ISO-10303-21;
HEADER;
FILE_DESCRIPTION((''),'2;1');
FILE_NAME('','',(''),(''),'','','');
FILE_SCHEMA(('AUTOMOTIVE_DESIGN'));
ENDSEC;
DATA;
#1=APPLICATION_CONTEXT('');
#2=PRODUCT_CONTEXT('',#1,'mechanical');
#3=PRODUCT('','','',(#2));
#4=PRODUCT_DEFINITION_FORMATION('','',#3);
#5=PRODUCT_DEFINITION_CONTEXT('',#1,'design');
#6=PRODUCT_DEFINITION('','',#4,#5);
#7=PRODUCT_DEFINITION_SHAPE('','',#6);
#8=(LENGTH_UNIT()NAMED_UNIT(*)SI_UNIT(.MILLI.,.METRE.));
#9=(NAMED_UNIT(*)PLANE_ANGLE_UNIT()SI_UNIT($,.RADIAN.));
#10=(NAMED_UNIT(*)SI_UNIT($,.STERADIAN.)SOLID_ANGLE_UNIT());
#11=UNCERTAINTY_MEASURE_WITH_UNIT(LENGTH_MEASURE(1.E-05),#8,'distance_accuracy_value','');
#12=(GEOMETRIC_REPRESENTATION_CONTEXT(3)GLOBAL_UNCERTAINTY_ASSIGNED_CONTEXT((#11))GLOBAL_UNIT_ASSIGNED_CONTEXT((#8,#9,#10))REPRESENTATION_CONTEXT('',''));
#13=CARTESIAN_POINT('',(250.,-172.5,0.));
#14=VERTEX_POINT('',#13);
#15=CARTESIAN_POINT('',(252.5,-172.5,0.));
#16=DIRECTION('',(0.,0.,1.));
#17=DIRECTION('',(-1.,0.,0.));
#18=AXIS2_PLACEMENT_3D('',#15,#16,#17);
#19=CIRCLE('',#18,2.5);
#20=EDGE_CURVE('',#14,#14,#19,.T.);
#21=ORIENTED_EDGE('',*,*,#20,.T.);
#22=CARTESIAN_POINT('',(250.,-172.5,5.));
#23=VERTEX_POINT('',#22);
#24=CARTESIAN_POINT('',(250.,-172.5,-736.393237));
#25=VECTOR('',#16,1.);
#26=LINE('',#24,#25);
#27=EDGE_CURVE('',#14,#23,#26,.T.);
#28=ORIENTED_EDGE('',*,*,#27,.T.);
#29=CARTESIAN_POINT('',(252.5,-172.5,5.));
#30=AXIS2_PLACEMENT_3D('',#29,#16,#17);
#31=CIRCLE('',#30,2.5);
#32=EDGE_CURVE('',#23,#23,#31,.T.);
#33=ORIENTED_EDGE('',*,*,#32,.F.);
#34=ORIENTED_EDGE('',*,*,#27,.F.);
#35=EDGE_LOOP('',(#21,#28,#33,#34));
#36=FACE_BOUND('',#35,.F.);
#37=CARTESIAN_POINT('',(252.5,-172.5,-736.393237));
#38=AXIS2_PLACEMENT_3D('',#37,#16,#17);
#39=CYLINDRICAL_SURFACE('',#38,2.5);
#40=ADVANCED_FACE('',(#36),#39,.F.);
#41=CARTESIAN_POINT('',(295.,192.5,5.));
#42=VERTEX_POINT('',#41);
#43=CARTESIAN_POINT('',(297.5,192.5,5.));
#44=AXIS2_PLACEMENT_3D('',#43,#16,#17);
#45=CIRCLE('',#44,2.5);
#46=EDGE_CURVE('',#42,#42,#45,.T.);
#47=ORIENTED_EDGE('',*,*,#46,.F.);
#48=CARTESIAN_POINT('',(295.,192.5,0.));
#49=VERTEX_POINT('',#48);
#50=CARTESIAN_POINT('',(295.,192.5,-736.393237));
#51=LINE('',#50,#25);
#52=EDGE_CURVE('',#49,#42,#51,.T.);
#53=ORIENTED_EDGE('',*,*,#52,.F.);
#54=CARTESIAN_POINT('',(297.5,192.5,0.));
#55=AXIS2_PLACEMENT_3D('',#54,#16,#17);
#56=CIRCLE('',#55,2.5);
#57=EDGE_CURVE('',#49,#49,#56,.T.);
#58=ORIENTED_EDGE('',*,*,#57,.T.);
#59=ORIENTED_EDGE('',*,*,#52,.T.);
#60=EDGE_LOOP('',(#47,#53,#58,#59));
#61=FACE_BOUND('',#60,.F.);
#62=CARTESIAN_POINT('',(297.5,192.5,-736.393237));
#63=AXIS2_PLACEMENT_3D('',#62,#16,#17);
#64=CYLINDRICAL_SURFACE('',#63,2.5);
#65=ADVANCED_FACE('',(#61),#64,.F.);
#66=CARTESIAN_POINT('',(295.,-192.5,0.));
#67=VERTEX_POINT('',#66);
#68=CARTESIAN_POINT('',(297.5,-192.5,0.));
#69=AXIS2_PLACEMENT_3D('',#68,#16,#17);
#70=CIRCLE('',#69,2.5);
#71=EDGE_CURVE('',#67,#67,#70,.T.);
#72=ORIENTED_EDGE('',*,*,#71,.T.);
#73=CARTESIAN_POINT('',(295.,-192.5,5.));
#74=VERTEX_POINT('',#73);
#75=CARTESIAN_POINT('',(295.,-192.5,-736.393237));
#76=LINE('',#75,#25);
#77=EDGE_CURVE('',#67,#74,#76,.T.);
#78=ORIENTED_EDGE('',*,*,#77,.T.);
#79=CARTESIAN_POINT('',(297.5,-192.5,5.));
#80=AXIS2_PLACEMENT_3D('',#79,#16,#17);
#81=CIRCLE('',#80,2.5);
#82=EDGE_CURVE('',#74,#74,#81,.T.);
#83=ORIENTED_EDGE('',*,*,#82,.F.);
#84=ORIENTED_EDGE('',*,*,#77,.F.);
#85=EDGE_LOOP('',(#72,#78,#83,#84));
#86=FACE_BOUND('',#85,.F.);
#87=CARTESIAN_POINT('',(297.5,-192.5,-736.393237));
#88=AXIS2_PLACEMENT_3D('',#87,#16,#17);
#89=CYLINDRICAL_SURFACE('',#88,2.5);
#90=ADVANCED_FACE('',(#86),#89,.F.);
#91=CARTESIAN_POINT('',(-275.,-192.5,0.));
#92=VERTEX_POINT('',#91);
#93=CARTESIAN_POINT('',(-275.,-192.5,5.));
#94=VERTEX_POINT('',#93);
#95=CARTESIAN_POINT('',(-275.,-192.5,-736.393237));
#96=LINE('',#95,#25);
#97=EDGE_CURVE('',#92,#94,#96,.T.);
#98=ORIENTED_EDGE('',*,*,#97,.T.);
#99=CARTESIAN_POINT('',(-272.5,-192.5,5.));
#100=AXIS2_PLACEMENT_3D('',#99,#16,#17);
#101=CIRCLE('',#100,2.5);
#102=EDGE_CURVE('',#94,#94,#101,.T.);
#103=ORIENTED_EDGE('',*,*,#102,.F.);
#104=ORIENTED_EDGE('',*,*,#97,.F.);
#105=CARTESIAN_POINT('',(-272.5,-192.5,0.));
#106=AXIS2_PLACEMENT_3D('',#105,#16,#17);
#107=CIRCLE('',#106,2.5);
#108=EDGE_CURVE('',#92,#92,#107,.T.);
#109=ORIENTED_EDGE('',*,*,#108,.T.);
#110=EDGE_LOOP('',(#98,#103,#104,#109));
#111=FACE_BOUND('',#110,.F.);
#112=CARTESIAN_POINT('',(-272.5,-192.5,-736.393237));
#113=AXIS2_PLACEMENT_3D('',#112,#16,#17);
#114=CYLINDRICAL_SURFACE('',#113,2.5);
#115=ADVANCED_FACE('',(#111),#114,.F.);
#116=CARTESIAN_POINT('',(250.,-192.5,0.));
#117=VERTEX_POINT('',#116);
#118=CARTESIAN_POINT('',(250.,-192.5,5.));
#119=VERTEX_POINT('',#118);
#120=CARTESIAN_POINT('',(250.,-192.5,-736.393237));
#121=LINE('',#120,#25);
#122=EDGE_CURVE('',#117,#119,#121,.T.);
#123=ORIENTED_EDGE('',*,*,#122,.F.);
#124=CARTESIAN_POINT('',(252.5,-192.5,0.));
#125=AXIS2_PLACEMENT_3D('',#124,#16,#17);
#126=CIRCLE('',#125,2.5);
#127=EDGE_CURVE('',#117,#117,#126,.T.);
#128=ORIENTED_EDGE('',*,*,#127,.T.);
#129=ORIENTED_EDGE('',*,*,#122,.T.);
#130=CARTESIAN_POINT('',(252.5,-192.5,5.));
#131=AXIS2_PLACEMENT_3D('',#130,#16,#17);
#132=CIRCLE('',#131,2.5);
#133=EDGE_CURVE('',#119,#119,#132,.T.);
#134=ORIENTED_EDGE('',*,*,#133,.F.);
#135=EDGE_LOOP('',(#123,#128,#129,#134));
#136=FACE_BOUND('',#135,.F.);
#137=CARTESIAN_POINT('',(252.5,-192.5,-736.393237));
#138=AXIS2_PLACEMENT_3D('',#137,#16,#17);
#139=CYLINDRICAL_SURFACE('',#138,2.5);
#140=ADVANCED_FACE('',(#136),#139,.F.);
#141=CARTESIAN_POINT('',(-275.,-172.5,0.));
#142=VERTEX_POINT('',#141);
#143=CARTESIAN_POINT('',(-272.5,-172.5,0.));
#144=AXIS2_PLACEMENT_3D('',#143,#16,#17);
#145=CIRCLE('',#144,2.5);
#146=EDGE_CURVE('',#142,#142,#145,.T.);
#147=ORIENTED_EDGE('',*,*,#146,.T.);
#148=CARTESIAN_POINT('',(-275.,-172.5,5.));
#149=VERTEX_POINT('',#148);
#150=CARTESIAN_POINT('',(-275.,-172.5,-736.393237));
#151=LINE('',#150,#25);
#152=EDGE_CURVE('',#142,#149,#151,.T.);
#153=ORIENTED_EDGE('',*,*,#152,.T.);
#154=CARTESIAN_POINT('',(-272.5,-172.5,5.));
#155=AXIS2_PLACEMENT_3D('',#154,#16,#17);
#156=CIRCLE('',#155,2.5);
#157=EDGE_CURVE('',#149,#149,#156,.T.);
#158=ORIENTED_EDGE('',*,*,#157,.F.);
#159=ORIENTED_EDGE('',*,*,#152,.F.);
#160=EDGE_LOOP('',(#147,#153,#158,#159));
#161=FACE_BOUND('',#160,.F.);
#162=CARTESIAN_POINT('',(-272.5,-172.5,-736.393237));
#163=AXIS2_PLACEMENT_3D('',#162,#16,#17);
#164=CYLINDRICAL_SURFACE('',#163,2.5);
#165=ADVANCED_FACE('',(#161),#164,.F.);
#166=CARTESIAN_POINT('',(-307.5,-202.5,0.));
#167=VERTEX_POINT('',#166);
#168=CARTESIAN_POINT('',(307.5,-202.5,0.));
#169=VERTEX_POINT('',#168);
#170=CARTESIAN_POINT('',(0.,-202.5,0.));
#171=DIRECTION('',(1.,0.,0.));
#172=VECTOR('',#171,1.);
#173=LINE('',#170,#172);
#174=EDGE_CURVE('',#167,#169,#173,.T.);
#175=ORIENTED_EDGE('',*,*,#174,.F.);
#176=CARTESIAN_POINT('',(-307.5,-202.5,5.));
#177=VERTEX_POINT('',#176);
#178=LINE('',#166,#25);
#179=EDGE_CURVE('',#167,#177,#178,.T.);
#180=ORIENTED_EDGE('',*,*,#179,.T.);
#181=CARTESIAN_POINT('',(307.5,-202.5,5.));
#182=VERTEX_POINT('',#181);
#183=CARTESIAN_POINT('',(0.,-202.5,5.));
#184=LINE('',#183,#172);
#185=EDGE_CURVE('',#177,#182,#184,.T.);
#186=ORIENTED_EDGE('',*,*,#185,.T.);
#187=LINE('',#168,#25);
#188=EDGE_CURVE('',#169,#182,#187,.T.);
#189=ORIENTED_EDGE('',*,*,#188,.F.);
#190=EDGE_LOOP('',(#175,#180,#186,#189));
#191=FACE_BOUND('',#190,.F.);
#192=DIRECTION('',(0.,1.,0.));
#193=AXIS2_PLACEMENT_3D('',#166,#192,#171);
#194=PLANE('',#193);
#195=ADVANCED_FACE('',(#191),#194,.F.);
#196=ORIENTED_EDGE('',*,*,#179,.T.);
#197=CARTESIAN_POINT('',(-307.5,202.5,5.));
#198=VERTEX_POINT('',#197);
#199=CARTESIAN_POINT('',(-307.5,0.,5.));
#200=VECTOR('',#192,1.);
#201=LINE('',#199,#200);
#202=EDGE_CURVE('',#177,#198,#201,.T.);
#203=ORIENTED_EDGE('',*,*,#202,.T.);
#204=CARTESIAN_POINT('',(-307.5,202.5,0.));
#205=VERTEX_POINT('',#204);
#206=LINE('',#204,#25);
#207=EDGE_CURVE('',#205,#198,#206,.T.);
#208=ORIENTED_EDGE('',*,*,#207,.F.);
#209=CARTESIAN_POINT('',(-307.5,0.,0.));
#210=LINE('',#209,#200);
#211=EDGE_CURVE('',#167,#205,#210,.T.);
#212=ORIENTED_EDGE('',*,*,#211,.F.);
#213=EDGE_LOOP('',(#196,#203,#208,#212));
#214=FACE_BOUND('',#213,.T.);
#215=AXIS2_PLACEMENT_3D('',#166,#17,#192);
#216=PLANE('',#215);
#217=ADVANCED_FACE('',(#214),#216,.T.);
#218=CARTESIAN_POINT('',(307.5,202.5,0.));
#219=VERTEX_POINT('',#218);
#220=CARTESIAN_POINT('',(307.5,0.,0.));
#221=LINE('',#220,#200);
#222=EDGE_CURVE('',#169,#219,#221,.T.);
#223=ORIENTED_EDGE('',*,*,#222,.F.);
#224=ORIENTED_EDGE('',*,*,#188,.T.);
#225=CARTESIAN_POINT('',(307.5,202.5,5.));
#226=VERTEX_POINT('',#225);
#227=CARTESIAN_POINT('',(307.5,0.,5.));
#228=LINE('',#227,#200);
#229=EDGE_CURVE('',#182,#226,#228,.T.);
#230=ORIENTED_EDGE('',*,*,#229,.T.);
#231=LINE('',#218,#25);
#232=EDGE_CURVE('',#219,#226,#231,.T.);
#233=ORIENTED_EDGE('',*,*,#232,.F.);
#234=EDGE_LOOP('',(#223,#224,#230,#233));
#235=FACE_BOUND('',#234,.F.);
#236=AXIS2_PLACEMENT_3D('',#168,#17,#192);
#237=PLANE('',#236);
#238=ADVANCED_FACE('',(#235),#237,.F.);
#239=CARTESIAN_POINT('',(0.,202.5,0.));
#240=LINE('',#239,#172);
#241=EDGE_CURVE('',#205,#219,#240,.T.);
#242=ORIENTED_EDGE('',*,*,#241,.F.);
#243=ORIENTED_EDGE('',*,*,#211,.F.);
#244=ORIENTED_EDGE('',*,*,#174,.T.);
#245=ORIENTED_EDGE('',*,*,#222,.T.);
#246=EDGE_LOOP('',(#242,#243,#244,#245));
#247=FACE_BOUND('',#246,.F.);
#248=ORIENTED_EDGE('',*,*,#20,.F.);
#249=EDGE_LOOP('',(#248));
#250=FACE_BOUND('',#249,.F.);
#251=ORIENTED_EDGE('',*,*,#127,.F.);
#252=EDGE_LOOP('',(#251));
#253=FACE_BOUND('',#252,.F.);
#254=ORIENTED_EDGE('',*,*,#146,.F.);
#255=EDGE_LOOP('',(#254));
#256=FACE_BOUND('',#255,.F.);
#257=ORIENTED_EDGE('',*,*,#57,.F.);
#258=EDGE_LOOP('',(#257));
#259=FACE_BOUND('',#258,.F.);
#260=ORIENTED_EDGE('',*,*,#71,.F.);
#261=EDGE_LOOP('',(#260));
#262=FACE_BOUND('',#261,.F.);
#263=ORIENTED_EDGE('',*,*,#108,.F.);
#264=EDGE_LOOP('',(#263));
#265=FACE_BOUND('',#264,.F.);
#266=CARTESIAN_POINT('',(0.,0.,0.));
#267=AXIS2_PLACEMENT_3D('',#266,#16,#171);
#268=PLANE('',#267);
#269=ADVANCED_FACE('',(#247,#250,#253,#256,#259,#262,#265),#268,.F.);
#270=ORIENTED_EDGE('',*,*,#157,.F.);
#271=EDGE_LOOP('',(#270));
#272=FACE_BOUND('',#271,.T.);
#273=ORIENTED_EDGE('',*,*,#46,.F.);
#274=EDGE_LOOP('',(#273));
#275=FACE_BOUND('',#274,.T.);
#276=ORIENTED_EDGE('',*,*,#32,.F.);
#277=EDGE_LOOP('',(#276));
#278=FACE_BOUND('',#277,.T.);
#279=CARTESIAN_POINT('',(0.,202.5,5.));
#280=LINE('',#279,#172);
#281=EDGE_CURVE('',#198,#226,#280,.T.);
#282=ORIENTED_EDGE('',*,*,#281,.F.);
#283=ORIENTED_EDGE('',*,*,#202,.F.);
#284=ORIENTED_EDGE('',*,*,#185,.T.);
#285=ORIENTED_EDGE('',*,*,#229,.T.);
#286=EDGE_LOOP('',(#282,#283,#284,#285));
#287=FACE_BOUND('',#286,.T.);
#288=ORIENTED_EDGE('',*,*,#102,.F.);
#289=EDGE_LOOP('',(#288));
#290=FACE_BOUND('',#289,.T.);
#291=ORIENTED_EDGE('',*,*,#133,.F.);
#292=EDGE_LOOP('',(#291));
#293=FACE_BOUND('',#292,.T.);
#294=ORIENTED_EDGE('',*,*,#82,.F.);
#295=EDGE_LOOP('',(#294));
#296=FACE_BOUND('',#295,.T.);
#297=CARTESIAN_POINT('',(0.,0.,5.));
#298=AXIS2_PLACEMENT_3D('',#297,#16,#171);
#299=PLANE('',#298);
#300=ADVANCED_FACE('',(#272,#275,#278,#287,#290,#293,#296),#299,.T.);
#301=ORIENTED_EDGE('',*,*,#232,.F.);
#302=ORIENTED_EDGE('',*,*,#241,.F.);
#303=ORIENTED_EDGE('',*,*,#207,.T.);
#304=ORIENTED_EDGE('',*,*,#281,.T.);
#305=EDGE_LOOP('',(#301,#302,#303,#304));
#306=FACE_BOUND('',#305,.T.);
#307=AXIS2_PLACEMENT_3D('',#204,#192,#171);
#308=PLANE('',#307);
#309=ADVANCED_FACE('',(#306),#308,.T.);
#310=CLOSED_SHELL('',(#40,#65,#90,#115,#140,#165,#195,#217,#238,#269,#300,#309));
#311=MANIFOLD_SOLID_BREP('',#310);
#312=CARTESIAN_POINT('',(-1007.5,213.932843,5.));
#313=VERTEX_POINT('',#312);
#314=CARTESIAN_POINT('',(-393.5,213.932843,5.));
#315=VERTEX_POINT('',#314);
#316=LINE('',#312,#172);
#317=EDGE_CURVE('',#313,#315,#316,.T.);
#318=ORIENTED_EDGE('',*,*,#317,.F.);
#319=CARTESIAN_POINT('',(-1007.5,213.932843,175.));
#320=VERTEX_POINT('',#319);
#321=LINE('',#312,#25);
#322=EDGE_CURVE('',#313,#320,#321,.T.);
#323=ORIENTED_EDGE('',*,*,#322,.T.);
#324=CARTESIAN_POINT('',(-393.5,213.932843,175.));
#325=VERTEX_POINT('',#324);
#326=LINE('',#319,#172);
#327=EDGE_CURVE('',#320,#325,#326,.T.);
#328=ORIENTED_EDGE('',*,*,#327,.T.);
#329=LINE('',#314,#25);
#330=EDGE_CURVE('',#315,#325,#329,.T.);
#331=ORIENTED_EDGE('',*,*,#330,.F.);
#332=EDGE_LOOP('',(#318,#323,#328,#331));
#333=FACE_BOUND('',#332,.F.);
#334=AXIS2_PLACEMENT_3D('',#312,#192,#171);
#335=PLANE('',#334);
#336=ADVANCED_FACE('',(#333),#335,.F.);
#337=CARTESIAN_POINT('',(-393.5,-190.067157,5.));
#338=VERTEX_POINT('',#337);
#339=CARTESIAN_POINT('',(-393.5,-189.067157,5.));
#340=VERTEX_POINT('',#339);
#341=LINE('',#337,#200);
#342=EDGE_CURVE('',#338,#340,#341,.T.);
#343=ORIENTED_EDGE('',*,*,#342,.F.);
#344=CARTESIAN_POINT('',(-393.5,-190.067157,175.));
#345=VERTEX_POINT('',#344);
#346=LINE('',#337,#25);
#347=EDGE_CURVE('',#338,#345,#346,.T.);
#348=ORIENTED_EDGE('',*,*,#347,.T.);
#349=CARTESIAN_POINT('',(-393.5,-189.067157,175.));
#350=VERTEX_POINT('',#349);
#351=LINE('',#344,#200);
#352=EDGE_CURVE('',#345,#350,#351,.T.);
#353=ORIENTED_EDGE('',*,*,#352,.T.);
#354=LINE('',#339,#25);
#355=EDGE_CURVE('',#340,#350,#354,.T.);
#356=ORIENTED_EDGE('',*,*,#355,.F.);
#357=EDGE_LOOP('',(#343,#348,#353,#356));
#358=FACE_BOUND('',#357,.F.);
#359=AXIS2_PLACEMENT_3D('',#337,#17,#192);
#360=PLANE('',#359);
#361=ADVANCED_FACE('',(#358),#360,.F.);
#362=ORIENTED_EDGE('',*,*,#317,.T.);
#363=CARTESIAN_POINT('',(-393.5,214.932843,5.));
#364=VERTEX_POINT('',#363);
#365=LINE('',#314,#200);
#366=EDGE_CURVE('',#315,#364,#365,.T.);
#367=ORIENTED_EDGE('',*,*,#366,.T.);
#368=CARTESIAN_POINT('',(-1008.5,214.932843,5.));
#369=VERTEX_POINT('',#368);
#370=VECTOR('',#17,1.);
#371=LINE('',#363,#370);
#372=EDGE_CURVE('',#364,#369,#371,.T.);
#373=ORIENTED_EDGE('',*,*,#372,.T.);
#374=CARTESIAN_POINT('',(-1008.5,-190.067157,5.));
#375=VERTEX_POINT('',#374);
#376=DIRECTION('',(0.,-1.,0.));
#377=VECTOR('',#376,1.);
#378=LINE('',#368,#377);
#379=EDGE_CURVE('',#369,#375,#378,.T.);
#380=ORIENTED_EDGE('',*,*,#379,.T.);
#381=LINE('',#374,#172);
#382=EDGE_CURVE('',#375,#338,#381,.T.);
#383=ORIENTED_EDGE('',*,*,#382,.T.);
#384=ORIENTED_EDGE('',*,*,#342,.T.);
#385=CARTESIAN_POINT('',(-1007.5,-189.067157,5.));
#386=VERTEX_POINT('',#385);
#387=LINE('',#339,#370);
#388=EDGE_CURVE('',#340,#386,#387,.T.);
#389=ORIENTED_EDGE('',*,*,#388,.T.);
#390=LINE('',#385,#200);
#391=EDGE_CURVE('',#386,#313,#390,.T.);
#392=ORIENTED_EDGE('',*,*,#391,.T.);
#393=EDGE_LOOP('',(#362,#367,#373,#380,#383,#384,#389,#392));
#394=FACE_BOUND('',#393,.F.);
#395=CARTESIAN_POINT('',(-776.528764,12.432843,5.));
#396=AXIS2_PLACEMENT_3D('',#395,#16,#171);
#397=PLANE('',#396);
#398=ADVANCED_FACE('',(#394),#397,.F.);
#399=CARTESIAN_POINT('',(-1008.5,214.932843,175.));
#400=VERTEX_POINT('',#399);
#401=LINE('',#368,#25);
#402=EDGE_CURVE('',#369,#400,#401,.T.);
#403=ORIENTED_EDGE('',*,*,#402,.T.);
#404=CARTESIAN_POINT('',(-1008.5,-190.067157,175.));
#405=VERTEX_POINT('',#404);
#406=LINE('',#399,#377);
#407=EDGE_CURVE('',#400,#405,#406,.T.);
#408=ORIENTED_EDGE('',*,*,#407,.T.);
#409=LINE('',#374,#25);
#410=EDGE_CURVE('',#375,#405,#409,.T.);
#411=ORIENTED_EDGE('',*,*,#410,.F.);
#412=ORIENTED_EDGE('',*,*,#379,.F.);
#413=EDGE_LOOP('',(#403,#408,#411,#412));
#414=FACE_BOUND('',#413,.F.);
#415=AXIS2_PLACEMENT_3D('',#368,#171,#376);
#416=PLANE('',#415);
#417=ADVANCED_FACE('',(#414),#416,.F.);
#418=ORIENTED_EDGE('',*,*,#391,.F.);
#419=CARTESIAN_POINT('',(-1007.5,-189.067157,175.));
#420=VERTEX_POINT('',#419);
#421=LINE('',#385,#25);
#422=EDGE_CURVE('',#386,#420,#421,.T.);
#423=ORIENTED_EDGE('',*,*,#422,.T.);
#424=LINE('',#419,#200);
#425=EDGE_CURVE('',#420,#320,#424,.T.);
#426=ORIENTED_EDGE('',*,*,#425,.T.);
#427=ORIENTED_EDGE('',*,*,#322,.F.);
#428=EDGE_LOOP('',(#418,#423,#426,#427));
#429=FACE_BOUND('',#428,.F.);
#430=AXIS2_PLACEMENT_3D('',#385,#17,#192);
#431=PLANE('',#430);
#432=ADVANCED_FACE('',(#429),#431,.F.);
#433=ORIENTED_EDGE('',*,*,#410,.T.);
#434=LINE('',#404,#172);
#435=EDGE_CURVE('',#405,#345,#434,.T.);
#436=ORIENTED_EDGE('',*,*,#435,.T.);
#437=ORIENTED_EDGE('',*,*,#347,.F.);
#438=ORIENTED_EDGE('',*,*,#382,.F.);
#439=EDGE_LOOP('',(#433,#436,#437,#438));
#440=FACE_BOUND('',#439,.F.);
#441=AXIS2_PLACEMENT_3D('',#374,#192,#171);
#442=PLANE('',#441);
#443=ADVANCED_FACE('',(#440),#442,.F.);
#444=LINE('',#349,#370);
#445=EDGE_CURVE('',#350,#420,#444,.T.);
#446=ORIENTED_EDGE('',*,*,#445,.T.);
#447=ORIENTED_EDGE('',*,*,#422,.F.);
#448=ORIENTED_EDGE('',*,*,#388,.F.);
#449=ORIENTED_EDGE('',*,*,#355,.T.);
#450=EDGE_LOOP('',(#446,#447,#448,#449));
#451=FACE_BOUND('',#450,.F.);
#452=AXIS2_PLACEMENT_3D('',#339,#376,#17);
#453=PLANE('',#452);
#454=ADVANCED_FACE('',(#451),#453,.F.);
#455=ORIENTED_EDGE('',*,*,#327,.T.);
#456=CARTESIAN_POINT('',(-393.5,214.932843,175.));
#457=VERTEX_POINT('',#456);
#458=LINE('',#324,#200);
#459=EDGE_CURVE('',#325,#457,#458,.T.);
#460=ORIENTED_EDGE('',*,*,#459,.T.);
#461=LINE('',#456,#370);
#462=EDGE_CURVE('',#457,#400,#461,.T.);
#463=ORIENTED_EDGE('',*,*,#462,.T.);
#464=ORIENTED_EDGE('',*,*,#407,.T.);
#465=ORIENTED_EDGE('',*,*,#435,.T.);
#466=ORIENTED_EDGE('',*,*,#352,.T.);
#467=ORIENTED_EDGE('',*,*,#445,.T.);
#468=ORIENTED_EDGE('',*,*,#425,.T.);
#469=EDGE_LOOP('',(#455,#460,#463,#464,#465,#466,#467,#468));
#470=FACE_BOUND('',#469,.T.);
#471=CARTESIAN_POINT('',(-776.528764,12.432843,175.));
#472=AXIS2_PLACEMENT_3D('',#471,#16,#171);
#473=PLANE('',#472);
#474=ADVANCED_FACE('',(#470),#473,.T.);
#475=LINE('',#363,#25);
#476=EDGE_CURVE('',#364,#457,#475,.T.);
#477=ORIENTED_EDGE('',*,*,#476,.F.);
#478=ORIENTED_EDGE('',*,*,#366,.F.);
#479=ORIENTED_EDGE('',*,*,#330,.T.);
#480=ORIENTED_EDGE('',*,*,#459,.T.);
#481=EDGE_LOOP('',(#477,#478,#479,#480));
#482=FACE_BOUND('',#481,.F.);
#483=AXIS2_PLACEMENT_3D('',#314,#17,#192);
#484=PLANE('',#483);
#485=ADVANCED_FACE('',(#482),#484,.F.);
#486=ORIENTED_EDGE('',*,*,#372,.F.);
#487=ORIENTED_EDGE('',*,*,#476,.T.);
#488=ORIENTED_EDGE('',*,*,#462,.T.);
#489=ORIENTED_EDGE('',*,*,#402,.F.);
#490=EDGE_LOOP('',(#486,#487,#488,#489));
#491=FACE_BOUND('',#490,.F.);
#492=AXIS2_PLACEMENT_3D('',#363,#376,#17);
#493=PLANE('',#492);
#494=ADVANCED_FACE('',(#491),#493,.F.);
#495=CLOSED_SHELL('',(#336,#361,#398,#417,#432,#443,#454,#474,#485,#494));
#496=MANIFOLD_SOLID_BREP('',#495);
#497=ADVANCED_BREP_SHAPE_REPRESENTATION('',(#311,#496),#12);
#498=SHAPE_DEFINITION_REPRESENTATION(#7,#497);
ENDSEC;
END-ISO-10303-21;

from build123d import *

# Parameters (mm, degrees)
F0_W     = 615
F0_H     = 405
F1_DEPTH = 5
F4_DEPTH = 170
F6_D     = 5
F8_D     = 5
F10_D    = 5
F12_D    = 5
F14_D    = 5
F16_D    = 5


with BuildPart() as f1:
    # F0 (on Top) → F1 (new body)
    with BuildSketch(Plane.XY):
        Rectangle(F0_W, F0_H)
    extrude(amount=F1_DEPTH)

    # F6 (through all)
    with Locations(Plane(origin=(0, 0, 0), x_dir=(1, 0, 0), z_dir=(0, 0, -1))):
        with Locations((-272.5, 192.5)):
            Hole(F6_D / 2)

    # F8 (through all)
    with Locations(Plane(origin=(0, 0, 0), x_dir=(1, 0, 0), z_dir=(0, 0, -1))):
        with Locations((-272.5, 172.5)):
            Hole(F8_D / 2)

    # F10 (through all)
    with Locations(Plane(origin=(0, 0, 0), x_dir=(1, 0, 0), z_dir=(0, 0, -1))):
        with Locations((252.5, 192.5)):
            Hole(F10_D / 2)

    # F12 (through all)
    with Locations(Plane(origin=(0, 0, 0), x_dir=(1, 0, 0), z_dir=(0, 0, -1))):
        with Locations((252.5, 172.5)):
            Hole(F12_D / 2)

    # F14 (through all)
    with Locations(Plane(origin=(0, 0, 0), x_dir=(1, 0, 0), z_dir=(0, 0, -1))):
        with Locations((297.5, -192.5)):
            Hole(F14_D / 2)

    # F16 (through all)
    with Locations(Plane(origin=(0, 0, 0), x_dir=(1, 0, 0), z_dir=(0, 0, -1))):
        with Locations((297.5, 192.5)):
            Hole(F16_D / 2)


with BuildPart() as f4:
    # F3 (on face) → F4 (new body)
    with BuildSketch(Plane.XY.offset(5)):
        Polygon((-1008.5, -190.067157), (-393.5, -190.067157), (-393.5, -189.067157), (-1007.5, -189.067157), (-1007.5, 213.932843), (-393.5, 213.932843), (-393.5, 214.932843), (-1008.5, 214.932843), align=None)
    extrude(amount=F4_DEPTH)


solid = Compound([f1.part, f4.part])
